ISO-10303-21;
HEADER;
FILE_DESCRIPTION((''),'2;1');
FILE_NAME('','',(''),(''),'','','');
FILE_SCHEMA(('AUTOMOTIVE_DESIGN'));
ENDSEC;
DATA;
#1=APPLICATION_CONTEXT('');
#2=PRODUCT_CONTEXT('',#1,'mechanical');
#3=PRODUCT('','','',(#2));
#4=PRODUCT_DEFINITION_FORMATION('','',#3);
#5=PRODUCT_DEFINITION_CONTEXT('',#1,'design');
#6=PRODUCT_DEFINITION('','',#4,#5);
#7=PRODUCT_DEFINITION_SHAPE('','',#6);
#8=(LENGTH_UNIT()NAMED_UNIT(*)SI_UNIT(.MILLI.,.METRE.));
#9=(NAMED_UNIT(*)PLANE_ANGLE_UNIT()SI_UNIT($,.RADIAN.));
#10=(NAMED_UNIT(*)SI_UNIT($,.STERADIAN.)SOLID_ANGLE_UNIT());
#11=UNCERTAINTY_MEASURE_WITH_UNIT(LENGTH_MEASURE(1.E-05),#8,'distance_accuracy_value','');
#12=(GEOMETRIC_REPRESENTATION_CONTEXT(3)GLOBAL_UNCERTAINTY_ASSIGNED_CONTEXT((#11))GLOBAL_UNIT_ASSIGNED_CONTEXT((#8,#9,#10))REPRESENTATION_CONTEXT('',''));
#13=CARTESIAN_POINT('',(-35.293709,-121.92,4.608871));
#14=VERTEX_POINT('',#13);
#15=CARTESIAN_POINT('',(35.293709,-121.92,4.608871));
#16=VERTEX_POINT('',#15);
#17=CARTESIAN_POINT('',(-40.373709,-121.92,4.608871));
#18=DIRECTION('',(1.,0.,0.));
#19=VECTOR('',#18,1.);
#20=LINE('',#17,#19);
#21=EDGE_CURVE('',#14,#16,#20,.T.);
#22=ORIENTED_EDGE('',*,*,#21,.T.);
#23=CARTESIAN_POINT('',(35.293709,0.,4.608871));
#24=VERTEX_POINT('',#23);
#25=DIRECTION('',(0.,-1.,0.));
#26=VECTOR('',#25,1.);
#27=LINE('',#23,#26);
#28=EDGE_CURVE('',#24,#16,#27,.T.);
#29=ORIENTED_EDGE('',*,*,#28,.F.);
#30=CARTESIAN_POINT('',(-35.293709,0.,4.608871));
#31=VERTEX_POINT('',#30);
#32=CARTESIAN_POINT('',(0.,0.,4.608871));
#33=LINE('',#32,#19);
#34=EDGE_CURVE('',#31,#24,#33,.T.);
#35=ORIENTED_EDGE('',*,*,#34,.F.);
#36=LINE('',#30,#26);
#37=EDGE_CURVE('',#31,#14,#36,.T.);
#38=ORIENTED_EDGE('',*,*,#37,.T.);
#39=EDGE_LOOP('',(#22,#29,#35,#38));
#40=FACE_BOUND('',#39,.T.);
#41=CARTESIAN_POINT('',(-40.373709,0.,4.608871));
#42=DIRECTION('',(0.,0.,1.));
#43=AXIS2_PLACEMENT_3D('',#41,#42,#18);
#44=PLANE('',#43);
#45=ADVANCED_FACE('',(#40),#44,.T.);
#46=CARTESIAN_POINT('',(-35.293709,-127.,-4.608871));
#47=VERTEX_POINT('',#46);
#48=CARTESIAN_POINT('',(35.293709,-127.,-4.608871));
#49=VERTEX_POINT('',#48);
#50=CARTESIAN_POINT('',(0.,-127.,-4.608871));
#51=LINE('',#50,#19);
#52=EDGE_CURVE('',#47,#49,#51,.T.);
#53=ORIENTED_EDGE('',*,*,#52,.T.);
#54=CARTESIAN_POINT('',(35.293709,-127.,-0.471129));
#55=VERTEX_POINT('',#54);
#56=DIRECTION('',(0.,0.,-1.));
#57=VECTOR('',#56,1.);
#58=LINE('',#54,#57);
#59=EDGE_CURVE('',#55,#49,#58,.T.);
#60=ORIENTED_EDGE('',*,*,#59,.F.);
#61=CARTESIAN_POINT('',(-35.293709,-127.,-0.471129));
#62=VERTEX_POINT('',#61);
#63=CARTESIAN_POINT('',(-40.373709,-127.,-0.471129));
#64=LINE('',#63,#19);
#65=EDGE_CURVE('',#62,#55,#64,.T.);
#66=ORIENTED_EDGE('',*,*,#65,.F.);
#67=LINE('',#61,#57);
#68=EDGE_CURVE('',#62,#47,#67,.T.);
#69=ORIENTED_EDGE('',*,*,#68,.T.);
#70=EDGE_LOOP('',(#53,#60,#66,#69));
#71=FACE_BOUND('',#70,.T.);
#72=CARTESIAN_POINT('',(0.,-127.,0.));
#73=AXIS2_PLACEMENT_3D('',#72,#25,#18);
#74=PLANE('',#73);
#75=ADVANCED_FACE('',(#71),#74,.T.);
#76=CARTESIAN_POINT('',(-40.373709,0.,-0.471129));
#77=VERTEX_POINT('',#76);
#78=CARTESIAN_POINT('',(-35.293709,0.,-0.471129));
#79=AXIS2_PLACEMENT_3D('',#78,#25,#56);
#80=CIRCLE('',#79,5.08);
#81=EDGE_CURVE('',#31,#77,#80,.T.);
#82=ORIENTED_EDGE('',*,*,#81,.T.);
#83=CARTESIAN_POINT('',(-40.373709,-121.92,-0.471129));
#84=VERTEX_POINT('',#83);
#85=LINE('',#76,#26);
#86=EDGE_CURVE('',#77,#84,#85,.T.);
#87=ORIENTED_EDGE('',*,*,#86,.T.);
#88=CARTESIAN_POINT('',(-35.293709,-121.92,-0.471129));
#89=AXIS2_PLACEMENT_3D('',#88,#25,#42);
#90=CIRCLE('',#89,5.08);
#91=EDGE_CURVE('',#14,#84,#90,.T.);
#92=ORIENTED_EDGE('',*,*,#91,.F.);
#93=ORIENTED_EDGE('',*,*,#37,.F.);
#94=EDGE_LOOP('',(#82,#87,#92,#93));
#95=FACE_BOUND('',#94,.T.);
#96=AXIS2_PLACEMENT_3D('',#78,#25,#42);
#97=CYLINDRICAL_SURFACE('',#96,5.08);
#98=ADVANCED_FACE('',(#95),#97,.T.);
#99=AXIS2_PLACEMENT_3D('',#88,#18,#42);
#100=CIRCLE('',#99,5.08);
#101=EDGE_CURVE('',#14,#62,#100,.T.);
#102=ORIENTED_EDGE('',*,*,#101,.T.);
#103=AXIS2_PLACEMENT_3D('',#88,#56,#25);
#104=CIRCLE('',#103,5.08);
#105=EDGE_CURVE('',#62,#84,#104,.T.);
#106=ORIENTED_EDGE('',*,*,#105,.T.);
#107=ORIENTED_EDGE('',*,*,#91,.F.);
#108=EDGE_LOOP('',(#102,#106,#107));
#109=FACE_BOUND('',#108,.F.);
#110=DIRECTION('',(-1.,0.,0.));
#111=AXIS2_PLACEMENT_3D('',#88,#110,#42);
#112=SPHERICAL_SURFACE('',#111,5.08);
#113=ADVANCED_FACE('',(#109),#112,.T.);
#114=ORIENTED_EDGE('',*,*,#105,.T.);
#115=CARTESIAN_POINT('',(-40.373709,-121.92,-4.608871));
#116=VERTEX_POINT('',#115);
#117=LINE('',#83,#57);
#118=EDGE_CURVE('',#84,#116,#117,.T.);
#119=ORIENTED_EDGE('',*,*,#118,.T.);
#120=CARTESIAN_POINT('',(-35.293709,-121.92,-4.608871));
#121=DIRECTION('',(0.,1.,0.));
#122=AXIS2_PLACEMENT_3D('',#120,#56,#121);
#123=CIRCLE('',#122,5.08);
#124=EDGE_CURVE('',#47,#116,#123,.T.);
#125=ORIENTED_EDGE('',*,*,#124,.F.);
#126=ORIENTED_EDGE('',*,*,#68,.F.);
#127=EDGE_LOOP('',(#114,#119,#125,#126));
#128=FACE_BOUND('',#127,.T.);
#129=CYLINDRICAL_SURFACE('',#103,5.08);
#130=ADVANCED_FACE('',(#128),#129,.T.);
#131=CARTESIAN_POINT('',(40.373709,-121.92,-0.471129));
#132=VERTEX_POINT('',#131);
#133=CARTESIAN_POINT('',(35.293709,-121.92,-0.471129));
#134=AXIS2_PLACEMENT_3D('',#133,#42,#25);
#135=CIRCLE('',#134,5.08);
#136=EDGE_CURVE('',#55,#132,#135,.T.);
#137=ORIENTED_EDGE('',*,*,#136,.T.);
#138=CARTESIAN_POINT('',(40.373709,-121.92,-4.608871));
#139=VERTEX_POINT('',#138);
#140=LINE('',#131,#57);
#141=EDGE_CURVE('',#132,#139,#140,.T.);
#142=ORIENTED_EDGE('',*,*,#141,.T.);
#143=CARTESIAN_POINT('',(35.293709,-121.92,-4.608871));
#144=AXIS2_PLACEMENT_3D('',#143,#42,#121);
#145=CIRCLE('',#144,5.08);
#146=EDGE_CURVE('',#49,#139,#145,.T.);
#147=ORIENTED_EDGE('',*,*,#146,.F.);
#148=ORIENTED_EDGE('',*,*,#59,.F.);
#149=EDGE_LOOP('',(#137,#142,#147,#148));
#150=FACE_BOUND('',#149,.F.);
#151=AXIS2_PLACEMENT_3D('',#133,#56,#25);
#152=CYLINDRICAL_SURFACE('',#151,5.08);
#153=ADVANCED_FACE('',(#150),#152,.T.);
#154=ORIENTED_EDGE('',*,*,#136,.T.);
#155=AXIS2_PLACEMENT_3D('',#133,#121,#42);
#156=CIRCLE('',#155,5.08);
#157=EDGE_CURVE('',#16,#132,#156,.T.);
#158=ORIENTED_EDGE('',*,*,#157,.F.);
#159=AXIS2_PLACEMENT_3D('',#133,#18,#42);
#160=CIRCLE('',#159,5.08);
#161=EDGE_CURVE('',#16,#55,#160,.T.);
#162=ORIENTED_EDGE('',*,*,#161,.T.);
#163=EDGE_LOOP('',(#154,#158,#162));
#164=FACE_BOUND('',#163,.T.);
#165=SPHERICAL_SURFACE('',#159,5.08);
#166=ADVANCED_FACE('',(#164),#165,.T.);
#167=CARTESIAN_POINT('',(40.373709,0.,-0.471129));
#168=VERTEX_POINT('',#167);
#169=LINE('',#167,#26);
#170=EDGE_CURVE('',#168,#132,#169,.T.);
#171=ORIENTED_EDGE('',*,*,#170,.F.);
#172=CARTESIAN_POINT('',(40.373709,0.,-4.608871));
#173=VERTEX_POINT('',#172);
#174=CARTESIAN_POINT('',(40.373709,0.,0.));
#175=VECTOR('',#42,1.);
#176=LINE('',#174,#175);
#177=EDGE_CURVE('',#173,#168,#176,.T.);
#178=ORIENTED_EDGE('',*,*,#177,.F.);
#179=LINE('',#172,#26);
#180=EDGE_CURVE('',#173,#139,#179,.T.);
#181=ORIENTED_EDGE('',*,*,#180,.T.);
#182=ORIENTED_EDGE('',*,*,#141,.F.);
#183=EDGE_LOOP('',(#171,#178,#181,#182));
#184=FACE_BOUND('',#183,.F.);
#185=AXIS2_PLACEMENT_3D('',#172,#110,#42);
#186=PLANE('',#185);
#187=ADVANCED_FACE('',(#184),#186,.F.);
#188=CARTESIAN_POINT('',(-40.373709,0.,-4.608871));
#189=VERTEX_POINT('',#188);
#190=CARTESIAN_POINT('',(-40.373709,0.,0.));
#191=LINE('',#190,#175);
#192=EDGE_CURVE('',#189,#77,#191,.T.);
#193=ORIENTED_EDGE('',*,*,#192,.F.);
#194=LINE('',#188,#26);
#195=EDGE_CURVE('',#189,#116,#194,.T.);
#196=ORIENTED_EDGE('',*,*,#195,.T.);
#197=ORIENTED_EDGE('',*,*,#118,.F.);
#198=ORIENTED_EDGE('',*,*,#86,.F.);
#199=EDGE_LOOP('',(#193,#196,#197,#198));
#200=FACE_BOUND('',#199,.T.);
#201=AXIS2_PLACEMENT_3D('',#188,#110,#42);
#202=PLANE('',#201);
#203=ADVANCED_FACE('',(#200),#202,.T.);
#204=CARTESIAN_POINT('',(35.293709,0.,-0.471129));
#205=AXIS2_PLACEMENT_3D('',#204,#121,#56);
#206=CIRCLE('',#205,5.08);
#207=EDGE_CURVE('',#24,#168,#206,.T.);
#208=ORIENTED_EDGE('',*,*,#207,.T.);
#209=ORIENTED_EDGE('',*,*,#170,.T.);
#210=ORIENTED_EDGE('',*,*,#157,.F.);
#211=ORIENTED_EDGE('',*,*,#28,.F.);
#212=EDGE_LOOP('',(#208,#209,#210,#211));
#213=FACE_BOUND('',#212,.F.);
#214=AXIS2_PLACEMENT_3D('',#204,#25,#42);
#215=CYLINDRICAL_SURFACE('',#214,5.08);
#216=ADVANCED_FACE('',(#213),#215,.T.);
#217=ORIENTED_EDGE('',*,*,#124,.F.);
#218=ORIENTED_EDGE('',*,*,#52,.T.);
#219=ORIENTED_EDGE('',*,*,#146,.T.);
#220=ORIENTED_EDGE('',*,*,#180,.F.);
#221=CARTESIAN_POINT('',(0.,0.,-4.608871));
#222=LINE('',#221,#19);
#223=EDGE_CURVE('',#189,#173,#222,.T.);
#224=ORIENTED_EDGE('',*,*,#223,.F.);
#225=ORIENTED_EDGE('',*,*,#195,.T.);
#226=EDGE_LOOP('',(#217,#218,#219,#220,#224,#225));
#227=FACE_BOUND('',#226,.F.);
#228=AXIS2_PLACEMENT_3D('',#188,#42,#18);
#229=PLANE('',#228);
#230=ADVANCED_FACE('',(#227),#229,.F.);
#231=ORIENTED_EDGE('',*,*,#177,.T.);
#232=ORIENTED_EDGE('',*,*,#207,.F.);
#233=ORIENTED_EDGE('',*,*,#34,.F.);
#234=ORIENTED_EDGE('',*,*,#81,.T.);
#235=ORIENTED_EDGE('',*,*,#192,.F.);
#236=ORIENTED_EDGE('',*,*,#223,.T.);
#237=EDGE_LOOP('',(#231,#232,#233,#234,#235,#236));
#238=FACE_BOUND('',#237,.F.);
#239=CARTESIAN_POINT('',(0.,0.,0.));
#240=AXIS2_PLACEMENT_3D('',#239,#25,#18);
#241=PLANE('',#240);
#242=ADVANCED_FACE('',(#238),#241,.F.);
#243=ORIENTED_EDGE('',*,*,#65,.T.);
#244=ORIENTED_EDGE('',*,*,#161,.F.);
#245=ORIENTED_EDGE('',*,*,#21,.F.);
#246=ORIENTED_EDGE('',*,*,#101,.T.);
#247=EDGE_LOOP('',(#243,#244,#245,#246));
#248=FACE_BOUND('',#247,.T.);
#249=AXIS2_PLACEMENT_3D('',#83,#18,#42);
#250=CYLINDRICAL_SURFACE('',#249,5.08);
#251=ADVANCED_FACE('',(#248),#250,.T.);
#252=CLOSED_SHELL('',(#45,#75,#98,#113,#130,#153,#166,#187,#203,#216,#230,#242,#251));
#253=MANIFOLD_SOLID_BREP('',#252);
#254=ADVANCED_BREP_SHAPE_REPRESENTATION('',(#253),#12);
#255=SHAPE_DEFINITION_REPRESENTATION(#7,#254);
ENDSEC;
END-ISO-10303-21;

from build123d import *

# Parameters (mm, degrees)
F0_W     = 80.747418
F0_H     = 9.217742
F1_DEPTH = 127
F2_R     = 5.08
F3_R     = 5.08
F4_R     = 5.08


with BuildPart() as f1:
    # F0 (on Front) → F1 (new body)
    with BuildSketch(Plane.XZ):
        Rectangle(F0_W, F0_H)
    extrude(amount=F1_DEPTH)

    # F2
    f2_edges = [f1.edges().sort_by_distance(p)[0] for p in [
        (0, -127, 4.608871),
    ]]
    fillet(f2_edges, radius=F2_R)

    # F3
    f3_edges = [f1.edges().sort_by_distance(p)[0] for p in [
        (40.373709, -60.96, 4.608871),
    ]]
    fillet(f3_edges, radius=F3_R)

    # F4
    f4_edges = [f1.edges().sort_by_distance(p)[0] for p in [
        (-40.373709, -60.96, 4.608871),
    ]]
    fillet(f4_edges, radius=F4_R)


solid = f1.part
